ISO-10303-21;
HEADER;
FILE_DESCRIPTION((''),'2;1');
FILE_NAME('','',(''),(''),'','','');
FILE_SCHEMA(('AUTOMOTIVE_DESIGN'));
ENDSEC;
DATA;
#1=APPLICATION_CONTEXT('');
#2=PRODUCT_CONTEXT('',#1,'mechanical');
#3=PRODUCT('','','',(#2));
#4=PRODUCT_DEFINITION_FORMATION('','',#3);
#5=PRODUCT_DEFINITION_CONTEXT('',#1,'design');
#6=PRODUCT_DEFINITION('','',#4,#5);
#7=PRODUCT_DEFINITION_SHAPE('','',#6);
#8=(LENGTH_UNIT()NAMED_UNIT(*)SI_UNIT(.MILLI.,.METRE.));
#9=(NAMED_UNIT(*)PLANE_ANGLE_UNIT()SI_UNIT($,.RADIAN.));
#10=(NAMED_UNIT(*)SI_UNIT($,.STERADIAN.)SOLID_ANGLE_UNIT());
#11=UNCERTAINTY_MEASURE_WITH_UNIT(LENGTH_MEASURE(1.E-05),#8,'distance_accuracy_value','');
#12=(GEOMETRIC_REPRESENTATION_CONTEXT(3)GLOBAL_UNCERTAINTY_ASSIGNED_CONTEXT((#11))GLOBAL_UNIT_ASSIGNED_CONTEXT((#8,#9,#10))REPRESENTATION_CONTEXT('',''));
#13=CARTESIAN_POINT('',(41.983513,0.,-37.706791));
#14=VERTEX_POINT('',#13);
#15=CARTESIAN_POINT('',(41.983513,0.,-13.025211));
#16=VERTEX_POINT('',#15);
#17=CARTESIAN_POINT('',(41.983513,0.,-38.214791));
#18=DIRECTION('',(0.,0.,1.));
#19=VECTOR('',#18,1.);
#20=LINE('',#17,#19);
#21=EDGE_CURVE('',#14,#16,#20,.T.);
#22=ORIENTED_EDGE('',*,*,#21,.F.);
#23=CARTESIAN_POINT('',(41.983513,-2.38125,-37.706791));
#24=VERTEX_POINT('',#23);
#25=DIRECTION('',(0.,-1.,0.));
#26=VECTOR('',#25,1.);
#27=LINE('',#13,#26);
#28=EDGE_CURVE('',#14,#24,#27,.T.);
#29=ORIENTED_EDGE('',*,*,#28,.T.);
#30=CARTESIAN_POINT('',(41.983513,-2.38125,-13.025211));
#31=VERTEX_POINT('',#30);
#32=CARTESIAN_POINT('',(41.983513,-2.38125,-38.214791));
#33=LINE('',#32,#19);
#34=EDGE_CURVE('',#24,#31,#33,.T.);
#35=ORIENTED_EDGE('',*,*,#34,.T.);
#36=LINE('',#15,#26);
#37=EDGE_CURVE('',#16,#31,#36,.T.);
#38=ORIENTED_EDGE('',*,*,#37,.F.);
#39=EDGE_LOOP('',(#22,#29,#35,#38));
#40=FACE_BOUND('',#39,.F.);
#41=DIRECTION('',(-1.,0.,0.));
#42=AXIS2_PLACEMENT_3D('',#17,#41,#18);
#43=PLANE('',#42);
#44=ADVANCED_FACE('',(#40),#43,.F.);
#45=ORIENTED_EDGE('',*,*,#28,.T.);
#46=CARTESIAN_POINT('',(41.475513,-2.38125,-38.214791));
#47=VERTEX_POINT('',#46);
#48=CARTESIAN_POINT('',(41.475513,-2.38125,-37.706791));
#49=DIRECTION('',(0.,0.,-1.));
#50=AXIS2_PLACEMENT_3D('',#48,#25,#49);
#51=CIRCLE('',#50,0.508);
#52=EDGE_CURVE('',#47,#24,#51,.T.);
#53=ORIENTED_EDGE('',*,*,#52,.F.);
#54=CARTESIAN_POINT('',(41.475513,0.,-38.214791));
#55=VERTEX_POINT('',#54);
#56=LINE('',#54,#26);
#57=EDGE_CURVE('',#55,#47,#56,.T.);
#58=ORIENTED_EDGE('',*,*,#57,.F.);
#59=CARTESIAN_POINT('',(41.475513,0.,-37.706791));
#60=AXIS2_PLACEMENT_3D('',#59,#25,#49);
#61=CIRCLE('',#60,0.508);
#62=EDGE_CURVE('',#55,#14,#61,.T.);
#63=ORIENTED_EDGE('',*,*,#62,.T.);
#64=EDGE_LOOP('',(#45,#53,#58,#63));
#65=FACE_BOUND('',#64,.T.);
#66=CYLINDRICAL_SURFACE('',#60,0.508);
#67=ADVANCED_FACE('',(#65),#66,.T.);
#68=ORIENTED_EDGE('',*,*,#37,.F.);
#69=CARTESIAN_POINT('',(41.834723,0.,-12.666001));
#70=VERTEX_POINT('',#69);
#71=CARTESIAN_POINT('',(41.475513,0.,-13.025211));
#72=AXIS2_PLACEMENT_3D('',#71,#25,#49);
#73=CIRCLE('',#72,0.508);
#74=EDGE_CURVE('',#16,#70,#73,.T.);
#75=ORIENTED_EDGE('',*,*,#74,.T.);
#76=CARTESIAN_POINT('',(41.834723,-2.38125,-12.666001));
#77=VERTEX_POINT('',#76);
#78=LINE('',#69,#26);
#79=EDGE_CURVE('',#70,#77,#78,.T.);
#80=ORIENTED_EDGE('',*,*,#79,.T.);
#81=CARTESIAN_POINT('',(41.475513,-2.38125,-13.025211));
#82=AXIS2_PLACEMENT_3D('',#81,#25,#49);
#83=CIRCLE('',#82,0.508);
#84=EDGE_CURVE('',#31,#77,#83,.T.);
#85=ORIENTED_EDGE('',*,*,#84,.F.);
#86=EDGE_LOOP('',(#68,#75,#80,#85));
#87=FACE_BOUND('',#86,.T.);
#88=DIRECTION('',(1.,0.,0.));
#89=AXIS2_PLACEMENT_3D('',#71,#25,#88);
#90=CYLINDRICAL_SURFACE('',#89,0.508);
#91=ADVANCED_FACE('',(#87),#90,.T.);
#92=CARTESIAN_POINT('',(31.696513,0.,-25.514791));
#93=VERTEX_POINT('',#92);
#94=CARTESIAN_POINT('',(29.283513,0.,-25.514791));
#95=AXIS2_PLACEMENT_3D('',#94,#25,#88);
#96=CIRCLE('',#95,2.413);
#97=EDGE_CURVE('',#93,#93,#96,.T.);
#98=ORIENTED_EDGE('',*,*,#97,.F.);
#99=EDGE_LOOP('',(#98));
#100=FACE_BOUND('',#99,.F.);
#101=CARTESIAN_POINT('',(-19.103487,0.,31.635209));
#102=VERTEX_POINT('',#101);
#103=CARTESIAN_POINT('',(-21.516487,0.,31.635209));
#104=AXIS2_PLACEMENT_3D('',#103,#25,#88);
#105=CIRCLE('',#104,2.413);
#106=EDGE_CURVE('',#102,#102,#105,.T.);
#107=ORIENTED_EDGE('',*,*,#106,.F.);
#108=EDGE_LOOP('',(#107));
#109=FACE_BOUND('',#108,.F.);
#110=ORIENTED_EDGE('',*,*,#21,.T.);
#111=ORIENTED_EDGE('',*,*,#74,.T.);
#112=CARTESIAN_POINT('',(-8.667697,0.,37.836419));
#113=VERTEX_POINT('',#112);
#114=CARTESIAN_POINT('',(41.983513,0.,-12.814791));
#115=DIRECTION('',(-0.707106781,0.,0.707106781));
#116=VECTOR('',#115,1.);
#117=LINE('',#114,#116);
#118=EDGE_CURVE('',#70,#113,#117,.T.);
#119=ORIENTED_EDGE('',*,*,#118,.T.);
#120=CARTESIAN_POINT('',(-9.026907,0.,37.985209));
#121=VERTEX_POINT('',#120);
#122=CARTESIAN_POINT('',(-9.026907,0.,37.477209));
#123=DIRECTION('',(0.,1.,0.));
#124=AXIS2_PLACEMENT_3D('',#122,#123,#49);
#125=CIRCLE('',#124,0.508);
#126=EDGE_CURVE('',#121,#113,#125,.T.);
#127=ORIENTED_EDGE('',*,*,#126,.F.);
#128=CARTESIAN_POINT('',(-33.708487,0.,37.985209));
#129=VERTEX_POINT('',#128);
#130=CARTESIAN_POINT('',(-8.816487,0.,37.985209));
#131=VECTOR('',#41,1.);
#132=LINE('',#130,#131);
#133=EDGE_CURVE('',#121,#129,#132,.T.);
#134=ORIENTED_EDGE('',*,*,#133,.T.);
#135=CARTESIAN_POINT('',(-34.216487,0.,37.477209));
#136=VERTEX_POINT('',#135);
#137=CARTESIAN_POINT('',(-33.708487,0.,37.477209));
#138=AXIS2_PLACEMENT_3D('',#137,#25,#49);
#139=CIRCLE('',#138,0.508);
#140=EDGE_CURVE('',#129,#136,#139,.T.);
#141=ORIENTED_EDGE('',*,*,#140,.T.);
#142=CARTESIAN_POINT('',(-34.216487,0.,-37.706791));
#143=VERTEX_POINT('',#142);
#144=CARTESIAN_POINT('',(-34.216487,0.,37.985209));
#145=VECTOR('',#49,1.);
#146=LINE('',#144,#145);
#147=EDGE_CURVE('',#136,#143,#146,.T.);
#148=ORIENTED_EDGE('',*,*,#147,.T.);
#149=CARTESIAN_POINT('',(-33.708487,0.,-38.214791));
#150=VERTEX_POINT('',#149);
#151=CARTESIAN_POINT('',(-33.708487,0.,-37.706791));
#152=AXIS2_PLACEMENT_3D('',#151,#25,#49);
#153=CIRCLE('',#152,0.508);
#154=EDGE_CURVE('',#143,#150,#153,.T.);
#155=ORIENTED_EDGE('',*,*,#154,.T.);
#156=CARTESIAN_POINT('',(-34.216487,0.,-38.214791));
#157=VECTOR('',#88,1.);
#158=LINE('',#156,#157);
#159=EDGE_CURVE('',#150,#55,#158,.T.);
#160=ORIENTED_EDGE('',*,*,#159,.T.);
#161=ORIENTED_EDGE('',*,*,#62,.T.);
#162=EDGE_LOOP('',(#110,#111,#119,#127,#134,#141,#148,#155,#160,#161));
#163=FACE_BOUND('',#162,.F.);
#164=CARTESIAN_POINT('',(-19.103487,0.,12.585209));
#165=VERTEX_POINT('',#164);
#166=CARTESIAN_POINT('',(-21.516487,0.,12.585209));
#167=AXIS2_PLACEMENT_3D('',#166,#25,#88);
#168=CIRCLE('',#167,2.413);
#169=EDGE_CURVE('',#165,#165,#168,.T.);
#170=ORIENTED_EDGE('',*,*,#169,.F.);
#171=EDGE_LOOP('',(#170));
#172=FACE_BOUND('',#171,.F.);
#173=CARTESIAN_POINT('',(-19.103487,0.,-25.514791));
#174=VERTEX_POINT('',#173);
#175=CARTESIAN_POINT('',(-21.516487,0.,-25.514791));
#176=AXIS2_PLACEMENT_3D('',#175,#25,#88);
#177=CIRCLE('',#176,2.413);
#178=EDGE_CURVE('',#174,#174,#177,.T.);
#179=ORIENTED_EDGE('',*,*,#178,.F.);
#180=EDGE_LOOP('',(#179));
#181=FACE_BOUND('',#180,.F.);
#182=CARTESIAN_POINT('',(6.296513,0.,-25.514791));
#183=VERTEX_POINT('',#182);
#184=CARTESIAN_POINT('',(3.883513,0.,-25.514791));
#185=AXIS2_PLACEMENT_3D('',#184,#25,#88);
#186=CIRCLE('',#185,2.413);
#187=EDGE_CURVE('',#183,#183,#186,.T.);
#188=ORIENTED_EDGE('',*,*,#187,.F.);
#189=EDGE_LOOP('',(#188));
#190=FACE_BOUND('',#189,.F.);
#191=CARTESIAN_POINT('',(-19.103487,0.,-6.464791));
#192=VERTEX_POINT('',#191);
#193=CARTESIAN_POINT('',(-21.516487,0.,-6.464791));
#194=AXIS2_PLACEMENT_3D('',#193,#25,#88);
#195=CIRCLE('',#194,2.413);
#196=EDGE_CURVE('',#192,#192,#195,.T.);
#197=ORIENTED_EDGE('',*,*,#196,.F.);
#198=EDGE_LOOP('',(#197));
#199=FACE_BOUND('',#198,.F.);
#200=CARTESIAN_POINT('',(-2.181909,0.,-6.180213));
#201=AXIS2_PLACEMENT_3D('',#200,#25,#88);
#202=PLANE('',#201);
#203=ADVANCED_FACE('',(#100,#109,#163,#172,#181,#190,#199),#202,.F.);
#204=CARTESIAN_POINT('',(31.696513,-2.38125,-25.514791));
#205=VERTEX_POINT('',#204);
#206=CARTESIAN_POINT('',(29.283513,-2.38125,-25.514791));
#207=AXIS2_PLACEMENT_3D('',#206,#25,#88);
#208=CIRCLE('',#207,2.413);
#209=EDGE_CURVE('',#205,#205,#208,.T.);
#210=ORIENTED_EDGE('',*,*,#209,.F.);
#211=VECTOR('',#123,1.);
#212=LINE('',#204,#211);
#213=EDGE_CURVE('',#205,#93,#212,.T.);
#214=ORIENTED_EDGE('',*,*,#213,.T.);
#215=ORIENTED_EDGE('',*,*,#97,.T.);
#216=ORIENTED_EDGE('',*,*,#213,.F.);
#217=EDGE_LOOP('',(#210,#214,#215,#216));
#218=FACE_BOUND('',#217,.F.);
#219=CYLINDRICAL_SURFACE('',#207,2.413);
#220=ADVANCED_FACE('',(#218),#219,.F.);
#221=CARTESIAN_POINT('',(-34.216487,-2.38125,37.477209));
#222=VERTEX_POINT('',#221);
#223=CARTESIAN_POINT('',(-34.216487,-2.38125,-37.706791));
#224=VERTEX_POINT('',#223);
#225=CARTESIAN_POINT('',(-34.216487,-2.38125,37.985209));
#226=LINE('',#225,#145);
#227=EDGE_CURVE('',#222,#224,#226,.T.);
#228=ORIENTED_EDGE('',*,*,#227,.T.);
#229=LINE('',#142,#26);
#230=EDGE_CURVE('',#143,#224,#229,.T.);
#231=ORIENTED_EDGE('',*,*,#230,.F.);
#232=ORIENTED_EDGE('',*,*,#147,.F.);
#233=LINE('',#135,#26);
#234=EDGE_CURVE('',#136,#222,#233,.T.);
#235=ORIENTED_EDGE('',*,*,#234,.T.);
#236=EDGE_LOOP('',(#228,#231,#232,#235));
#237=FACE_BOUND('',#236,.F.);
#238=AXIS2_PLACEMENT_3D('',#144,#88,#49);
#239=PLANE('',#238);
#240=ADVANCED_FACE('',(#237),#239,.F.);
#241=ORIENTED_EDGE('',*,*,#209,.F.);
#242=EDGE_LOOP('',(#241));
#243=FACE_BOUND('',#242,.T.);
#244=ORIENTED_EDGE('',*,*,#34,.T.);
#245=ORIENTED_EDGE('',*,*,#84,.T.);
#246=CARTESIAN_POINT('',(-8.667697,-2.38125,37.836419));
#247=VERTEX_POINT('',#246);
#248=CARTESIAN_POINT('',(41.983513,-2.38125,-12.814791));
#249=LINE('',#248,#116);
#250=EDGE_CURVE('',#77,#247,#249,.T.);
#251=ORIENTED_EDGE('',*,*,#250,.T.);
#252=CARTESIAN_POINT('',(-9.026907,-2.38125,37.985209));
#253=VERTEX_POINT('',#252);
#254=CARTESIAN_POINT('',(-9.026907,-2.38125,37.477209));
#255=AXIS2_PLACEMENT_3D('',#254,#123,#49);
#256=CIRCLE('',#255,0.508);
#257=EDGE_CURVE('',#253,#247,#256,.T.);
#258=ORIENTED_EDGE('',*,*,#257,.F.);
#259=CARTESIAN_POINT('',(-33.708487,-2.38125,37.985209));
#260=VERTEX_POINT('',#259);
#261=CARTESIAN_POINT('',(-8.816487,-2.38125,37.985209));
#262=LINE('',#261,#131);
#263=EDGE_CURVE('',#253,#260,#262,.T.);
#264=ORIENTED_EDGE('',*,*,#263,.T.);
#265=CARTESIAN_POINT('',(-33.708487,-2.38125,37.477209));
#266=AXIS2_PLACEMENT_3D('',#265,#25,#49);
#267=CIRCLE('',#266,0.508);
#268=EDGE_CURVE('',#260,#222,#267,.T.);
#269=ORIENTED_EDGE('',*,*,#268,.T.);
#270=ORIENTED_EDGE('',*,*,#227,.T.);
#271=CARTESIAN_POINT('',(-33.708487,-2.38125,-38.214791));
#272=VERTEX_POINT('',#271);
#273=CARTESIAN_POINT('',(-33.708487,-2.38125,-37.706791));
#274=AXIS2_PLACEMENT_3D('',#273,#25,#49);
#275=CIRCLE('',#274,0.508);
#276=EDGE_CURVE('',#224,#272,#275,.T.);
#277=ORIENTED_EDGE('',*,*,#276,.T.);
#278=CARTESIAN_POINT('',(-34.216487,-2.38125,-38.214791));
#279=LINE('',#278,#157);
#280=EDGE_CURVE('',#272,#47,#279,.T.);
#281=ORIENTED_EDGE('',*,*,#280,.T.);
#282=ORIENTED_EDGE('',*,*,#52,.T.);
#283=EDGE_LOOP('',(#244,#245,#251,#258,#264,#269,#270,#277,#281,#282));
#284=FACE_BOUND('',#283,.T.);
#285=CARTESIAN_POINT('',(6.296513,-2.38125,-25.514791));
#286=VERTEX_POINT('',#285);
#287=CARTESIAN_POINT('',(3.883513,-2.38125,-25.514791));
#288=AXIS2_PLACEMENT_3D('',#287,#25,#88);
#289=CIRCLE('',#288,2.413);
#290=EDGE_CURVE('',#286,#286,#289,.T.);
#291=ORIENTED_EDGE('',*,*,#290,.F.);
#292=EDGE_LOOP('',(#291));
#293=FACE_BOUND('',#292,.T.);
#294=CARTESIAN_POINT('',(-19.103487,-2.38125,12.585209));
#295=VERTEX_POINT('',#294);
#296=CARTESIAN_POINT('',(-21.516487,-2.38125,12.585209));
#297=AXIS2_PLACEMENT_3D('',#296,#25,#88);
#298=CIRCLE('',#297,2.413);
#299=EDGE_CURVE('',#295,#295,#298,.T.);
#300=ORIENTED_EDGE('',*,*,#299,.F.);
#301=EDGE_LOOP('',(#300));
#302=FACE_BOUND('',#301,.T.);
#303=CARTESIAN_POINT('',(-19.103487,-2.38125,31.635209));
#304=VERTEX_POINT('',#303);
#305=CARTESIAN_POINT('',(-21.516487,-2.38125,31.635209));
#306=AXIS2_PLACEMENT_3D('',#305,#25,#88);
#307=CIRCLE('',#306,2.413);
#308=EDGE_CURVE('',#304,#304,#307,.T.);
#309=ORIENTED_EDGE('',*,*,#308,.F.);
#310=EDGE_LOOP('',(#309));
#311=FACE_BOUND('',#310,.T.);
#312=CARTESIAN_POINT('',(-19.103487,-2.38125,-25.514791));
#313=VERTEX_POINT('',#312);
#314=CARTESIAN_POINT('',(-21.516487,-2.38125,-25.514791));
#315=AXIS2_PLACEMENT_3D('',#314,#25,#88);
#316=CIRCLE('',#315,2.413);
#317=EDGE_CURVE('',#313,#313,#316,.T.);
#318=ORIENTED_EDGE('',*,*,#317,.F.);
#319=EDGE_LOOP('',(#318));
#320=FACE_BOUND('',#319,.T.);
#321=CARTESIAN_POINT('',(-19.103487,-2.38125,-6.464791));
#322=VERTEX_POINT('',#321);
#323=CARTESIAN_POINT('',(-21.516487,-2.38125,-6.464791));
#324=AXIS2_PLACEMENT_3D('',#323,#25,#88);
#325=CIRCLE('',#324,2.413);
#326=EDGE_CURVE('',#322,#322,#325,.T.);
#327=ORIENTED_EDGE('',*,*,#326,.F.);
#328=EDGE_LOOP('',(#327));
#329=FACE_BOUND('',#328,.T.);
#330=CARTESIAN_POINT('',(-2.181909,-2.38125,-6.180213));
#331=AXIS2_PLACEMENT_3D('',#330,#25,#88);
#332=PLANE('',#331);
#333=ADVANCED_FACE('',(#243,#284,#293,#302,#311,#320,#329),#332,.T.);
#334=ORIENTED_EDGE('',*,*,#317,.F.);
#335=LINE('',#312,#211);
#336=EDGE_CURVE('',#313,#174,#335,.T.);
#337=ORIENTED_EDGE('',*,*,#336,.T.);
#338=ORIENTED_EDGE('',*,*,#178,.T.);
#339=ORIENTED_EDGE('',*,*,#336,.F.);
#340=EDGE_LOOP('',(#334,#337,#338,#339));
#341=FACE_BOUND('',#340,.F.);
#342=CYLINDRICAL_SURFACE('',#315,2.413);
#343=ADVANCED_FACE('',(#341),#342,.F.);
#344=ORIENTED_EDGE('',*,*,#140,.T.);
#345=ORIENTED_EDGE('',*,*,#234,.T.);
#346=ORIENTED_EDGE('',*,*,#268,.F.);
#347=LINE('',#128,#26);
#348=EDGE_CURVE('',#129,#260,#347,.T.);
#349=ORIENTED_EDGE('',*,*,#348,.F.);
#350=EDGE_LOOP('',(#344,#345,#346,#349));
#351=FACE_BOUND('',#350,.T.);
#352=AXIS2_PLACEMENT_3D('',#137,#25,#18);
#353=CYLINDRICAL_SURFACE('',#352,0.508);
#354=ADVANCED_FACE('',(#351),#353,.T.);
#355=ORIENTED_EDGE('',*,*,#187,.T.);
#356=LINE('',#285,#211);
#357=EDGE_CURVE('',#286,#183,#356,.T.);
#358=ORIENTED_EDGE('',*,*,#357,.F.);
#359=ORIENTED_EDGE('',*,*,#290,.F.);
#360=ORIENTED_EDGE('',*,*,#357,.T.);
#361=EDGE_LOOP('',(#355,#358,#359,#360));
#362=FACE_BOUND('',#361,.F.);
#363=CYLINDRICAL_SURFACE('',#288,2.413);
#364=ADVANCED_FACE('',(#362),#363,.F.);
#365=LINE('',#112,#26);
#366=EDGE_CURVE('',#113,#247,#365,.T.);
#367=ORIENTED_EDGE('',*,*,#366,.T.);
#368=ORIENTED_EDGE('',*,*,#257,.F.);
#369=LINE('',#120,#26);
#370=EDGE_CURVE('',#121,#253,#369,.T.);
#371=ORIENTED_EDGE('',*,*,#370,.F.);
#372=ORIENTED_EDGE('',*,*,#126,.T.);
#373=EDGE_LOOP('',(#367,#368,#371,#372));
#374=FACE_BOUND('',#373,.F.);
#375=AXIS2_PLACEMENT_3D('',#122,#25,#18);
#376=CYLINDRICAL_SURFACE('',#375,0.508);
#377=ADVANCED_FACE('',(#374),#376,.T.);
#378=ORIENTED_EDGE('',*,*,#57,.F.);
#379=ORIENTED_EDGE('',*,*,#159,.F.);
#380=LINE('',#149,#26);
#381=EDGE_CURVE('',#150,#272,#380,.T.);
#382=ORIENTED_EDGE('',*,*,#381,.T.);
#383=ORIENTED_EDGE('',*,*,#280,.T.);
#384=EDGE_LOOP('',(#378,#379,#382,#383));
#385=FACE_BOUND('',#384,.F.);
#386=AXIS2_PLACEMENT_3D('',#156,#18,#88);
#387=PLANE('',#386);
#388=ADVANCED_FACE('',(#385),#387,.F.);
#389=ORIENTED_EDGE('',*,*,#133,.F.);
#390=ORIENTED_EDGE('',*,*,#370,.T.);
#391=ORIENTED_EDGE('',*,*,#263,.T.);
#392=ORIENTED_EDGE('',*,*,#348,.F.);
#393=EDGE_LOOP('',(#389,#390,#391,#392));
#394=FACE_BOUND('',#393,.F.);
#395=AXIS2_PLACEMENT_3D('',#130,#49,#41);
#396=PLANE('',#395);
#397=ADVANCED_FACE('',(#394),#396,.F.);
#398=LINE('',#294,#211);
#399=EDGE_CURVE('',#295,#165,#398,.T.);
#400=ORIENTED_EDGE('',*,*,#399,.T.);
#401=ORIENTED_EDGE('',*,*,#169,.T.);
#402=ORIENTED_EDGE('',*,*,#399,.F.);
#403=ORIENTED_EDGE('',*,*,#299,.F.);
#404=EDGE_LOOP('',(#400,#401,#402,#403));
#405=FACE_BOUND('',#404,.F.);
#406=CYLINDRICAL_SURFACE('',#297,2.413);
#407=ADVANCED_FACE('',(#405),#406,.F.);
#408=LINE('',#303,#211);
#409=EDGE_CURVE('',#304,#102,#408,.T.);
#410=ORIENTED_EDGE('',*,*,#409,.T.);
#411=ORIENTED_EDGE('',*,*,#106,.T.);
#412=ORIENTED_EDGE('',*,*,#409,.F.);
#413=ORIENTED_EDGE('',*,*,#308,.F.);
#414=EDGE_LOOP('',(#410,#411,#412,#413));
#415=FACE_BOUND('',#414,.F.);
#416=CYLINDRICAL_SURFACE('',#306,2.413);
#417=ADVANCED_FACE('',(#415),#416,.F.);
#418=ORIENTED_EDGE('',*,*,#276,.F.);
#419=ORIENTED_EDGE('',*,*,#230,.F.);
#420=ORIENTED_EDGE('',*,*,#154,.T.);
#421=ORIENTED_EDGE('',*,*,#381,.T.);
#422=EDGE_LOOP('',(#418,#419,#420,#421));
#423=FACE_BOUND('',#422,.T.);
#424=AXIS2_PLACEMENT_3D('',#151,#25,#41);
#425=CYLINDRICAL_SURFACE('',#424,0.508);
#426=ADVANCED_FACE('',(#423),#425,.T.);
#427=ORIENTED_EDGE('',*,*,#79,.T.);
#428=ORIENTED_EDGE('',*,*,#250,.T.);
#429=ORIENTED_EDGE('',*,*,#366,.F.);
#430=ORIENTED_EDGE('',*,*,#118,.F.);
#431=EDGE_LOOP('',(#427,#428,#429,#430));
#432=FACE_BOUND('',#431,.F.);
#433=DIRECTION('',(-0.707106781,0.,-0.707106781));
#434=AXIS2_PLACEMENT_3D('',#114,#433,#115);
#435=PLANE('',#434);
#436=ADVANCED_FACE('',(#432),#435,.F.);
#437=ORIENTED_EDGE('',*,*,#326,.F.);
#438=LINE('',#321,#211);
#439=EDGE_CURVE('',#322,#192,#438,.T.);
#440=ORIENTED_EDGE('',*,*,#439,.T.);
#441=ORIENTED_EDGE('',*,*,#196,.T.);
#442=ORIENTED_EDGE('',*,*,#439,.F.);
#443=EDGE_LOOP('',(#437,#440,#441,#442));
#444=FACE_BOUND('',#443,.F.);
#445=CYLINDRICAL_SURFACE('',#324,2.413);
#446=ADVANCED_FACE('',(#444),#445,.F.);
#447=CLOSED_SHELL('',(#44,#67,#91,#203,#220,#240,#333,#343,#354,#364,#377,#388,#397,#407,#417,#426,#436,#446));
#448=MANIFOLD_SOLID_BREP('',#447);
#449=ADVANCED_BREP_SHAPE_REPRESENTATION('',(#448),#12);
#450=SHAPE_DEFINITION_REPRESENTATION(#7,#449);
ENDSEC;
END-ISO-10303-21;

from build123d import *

# Parameters (mm, degrees)
F1_DEPTH = 2.38125
F2_R     = 0.508
F3_R     = 2.413
F4_DEPTH = 2.38125


with BuildPart() as f1:
    # F0 (on Front) → F1 (new body)
    with BuildSketch(Plane.XZ):
        Polygon((-8.816487, 37.985209), (-34.216487, 37.985209), (-34.216487, -38.214791), (41.983513, -38.214791), (41.983513, -12.814791), align=None)
    extrude(amount=F1_DEPTH)

    # F2
    f2_edges = [f1.edges().sort_by_distance(p)[0] for p in [
        (-34.216487, -1.190625, 37.985209),
        (-8.816487, -1.190625, 37.985209),
        (-34.216487, -1.190625, -38.214791),
        (41.983513, -1.190625, -12.814791),
        (41.983513, -1.190625, -38.214791),
    ]]
    fillet(f2_edges, radius=F2_R)

    # F3 (on face) → F4 (cut)
    with BuildSketch(Plane.XZ.offset(2.38125)):
        with Locations((-21.516487, 31.635209)):
            Circle(F3_R)
        with Locations((-21.516487, 12.585209)):
            Circle(F3_R)
        with Locations((-21.516487, -6.464791)):
            Circle(F3_R)
        with Locations((-21.516487, -25.514791)):
            Circle(F3_R)
        with Locations((3.883513, -25.514791)):
            Circle(F3_R)
        with Locations((29.283513, -25.514791)):
            Circle(F3_R)
    extrude(amount=-F4_DEPTH, mode=Mode.SUBTRACT)


solid = f1.part
